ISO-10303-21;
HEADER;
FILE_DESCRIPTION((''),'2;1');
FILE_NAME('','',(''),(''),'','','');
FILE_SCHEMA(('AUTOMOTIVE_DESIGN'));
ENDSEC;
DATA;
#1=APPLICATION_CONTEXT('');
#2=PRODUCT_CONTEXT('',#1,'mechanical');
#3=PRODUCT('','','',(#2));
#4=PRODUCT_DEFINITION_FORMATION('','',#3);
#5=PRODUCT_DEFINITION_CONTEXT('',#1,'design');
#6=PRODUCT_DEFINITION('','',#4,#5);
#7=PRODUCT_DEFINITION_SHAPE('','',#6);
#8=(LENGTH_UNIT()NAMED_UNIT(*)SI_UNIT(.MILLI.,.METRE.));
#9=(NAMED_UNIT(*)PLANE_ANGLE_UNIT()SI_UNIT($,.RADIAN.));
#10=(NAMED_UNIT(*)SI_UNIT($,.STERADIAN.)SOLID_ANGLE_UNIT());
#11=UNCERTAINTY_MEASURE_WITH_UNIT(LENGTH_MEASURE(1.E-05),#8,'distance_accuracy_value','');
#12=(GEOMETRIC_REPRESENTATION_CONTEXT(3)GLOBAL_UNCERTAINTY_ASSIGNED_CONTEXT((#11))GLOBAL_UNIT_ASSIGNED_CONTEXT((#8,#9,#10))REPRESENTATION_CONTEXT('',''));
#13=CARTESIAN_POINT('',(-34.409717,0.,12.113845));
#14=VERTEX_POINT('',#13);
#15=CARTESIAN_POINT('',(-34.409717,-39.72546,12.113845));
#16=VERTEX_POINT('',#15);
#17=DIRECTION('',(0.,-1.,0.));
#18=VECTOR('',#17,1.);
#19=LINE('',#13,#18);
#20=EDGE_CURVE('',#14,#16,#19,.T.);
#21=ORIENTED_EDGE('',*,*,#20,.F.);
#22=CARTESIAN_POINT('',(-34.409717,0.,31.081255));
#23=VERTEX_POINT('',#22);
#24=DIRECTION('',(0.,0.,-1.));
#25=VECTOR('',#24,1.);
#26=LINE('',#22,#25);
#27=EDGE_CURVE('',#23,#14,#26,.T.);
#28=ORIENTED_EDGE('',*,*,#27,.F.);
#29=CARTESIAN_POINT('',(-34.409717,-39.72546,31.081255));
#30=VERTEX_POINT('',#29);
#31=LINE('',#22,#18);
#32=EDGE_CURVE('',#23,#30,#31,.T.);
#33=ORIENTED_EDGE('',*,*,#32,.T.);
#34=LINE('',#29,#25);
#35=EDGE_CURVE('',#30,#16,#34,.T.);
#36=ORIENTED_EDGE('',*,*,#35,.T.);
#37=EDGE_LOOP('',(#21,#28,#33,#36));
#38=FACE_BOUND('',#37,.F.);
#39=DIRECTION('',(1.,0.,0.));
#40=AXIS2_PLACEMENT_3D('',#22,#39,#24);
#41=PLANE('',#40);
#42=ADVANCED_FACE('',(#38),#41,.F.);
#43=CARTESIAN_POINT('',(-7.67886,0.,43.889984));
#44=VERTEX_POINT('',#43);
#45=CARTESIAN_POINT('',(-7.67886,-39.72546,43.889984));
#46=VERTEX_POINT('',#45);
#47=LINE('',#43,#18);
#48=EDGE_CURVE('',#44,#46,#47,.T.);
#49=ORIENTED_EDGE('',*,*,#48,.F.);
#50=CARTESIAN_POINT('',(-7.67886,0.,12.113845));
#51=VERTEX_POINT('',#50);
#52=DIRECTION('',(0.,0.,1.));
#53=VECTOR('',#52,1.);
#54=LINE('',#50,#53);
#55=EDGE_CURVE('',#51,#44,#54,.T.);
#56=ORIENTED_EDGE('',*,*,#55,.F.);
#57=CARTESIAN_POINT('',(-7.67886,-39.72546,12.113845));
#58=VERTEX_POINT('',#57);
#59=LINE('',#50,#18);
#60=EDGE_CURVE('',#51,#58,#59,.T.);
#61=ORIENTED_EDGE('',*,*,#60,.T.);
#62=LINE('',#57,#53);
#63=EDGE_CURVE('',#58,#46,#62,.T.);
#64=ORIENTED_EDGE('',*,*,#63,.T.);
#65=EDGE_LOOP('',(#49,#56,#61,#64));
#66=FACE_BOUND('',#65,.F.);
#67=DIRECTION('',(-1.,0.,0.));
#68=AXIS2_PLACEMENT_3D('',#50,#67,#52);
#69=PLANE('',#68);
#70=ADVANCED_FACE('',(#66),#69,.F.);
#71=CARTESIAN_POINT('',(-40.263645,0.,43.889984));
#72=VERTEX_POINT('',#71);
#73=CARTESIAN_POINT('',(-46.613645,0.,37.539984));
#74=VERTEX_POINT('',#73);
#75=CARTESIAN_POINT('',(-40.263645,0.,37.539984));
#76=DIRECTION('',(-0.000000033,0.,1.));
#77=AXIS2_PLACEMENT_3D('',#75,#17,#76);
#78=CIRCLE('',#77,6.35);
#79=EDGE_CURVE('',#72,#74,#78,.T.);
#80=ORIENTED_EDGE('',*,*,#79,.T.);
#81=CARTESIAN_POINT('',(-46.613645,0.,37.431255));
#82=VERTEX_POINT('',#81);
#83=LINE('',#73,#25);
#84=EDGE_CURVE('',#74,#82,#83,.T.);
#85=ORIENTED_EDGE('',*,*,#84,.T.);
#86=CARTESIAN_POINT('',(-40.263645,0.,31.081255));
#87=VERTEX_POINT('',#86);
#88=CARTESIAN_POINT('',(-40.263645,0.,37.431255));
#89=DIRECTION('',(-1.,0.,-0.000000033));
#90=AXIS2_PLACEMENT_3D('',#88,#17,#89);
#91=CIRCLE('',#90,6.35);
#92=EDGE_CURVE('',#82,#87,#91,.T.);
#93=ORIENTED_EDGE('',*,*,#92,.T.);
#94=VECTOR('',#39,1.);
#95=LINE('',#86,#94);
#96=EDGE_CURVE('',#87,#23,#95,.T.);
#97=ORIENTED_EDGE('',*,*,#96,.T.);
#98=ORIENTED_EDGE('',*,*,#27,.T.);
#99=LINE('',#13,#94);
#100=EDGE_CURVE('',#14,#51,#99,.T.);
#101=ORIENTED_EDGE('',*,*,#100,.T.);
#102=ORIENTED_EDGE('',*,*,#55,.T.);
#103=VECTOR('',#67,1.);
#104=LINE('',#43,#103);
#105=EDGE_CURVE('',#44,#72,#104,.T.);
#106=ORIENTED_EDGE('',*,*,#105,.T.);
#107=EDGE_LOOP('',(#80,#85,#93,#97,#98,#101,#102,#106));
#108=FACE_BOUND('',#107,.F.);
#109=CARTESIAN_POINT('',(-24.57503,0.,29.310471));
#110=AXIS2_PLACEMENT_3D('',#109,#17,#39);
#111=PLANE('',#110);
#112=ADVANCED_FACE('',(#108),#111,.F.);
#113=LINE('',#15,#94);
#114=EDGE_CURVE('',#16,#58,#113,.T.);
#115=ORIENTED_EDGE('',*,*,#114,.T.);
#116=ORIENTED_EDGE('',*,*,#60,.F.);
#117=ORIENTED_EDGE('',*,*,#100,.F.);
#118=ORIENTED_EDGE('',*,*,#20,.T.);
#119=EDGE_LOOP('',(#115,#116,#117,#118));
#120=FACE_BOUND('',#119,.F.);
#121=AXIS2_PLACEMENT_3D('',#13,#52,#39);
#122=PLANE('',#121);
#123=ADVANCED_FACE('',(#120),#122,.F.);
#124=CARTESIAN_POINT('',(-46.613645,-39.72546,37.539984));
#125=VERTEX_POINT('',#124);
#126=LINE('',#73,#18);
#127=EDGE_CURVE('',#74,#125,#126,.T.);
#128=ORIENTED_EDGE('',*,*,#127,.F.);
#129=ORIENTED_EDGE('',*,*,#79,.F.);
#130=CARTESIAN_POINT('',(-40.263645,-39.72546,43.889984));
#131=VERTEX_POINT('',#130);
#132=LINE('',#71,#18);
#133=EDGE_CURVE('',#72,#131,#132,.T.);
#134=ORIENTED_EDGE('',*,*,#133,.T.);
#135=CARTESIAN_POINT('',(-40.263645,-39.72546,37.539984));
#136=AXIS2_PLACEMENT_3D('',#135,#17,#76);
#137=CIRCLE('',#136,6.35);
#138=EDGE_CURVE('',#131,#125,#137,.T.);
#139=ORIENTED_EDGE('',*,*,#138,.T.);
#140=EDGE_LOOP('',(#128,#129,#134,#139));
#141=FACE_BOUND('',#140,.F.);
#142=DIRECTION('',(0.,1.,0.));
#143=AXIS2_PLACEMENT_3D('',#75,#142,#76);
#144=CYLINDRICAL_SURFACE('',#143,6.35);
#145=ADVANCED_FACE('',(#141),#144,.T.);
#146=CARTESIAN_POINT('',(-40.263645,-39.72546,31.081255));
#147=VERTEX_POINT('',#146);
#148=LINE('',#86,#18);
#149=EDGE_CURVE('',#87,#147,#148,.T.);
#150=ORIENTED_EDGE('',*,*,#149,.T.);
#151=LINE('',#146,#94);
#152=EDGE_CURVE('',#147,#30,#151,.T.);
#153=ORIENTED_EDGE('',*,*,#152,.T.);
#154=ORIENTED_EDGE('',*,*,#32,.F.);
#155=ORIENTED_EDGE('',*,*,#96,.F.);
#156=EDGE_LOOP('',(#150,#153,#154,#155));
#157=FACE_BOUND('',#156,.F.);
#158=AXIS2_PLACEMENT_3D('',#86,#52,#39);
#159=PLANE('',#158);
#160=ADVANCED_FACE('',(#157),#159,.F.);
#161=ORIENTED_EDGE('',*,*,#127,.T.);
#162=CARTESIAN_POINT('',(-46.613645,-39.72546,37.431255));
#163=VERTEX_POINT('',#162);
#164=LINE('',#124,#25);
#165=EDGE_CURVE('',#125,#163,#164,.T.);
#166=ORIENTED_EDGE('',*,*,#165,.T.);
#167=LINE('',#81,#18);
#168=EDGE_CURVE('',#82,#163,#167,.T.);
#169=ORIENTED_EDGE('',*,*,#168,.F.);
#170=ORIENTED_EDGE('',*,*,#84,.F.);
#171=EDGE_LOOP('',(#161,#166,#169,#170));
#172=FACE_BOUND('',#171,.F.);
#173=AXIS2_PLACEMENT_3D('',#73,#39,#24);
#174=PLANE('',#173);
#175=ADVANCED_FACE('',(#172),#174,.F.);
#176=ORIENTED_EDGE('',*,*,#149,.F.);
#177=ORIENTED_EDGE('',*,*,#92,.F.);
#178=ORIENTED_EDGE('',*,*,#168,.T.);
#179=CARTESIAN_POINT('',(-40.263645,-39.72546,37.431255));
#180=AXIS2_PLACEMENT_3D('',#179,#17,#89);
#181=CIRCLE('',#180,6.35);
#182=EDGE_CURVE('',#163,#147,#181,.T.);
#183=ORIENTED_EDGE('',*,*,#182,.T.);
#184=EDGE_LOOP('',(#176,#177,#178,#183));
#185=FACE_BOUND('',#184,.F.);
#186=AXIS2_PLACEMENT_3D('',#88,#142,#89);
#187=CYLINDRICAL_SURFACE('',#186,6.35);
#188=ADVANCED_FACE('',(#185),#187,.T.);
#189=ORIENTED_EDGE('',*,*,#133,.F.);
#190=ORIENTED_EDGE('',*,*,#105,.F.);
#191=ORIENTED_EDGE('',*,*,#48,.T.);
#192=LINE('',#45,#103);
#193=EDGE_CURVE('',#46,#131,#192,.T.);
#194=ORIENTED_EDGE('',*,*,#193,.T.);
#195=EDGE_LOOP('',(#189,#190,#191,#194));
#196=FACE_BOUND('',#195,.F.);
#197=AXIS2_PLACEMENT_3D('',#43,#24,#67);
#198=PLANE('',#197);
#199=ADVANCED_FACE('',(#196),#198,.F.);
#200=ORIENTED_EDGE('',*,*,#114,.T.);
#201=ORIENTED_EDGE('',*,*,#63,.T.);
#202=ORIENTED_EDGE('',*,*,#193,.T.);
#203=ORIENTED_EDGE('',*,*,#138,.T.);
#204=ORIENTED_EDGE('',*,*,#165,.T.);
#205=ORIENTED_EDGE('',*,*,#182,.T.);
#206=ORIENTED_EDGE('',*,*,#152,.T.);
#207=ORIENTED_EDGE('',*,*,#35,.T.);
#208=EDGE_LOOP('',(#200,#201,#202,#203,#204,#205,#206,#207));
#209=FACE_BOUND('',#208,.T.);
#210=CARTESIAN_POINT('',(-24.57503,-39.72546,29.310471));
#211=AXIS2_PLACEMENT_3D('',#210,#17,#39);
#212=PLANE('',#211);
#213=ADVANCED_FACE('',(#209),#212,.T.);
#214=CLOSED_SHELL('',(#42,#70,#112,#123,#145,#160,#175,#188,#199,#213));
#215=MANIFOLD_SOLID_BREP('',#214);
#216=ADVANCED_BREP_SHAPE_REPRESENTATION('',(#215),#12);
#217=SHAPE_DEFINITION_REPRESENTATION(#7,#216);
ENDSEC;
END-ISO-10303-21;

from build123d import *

# Parameters (mm, degrees)
F1_DEPTH = 39.72546


with BuildPart() as f1:
    # F0 (on Front) → F1 (new body)
    with BuildSketch(Plane.XZ):
        with BuildLine():
            ThreePointArc((-40.263645, 43.889984), (-44.753773, 42.030112), (-46.613645, 37.539984))
            Line((-46.613645, 37.539984), (-46.613645, 37.431255))
            ThreePointArc((-46.613645, 37.431255), (-44.753773, 32.941127), (-40.263645, 31.081255))
            Line((-40.263645, 31.081255), (-34.409717, 31.081255))
            Line((-34.409717, 31.081255), (-34.409717, 12.113845))
            Line((-34.409717, 12.113845), (-7.67886, 12.113845))
            Line((-7.67886, 12.113845), (-7.67886, 31.081255))
            Line((-7.67886, 31.081255), (-7.67886, 43.889984))
            Line((-7.67886, 43.889984), (-40.263645, 43.889984))
        make_face()
    extrude(amount=F1_DEPTH)


solid = f1.part
